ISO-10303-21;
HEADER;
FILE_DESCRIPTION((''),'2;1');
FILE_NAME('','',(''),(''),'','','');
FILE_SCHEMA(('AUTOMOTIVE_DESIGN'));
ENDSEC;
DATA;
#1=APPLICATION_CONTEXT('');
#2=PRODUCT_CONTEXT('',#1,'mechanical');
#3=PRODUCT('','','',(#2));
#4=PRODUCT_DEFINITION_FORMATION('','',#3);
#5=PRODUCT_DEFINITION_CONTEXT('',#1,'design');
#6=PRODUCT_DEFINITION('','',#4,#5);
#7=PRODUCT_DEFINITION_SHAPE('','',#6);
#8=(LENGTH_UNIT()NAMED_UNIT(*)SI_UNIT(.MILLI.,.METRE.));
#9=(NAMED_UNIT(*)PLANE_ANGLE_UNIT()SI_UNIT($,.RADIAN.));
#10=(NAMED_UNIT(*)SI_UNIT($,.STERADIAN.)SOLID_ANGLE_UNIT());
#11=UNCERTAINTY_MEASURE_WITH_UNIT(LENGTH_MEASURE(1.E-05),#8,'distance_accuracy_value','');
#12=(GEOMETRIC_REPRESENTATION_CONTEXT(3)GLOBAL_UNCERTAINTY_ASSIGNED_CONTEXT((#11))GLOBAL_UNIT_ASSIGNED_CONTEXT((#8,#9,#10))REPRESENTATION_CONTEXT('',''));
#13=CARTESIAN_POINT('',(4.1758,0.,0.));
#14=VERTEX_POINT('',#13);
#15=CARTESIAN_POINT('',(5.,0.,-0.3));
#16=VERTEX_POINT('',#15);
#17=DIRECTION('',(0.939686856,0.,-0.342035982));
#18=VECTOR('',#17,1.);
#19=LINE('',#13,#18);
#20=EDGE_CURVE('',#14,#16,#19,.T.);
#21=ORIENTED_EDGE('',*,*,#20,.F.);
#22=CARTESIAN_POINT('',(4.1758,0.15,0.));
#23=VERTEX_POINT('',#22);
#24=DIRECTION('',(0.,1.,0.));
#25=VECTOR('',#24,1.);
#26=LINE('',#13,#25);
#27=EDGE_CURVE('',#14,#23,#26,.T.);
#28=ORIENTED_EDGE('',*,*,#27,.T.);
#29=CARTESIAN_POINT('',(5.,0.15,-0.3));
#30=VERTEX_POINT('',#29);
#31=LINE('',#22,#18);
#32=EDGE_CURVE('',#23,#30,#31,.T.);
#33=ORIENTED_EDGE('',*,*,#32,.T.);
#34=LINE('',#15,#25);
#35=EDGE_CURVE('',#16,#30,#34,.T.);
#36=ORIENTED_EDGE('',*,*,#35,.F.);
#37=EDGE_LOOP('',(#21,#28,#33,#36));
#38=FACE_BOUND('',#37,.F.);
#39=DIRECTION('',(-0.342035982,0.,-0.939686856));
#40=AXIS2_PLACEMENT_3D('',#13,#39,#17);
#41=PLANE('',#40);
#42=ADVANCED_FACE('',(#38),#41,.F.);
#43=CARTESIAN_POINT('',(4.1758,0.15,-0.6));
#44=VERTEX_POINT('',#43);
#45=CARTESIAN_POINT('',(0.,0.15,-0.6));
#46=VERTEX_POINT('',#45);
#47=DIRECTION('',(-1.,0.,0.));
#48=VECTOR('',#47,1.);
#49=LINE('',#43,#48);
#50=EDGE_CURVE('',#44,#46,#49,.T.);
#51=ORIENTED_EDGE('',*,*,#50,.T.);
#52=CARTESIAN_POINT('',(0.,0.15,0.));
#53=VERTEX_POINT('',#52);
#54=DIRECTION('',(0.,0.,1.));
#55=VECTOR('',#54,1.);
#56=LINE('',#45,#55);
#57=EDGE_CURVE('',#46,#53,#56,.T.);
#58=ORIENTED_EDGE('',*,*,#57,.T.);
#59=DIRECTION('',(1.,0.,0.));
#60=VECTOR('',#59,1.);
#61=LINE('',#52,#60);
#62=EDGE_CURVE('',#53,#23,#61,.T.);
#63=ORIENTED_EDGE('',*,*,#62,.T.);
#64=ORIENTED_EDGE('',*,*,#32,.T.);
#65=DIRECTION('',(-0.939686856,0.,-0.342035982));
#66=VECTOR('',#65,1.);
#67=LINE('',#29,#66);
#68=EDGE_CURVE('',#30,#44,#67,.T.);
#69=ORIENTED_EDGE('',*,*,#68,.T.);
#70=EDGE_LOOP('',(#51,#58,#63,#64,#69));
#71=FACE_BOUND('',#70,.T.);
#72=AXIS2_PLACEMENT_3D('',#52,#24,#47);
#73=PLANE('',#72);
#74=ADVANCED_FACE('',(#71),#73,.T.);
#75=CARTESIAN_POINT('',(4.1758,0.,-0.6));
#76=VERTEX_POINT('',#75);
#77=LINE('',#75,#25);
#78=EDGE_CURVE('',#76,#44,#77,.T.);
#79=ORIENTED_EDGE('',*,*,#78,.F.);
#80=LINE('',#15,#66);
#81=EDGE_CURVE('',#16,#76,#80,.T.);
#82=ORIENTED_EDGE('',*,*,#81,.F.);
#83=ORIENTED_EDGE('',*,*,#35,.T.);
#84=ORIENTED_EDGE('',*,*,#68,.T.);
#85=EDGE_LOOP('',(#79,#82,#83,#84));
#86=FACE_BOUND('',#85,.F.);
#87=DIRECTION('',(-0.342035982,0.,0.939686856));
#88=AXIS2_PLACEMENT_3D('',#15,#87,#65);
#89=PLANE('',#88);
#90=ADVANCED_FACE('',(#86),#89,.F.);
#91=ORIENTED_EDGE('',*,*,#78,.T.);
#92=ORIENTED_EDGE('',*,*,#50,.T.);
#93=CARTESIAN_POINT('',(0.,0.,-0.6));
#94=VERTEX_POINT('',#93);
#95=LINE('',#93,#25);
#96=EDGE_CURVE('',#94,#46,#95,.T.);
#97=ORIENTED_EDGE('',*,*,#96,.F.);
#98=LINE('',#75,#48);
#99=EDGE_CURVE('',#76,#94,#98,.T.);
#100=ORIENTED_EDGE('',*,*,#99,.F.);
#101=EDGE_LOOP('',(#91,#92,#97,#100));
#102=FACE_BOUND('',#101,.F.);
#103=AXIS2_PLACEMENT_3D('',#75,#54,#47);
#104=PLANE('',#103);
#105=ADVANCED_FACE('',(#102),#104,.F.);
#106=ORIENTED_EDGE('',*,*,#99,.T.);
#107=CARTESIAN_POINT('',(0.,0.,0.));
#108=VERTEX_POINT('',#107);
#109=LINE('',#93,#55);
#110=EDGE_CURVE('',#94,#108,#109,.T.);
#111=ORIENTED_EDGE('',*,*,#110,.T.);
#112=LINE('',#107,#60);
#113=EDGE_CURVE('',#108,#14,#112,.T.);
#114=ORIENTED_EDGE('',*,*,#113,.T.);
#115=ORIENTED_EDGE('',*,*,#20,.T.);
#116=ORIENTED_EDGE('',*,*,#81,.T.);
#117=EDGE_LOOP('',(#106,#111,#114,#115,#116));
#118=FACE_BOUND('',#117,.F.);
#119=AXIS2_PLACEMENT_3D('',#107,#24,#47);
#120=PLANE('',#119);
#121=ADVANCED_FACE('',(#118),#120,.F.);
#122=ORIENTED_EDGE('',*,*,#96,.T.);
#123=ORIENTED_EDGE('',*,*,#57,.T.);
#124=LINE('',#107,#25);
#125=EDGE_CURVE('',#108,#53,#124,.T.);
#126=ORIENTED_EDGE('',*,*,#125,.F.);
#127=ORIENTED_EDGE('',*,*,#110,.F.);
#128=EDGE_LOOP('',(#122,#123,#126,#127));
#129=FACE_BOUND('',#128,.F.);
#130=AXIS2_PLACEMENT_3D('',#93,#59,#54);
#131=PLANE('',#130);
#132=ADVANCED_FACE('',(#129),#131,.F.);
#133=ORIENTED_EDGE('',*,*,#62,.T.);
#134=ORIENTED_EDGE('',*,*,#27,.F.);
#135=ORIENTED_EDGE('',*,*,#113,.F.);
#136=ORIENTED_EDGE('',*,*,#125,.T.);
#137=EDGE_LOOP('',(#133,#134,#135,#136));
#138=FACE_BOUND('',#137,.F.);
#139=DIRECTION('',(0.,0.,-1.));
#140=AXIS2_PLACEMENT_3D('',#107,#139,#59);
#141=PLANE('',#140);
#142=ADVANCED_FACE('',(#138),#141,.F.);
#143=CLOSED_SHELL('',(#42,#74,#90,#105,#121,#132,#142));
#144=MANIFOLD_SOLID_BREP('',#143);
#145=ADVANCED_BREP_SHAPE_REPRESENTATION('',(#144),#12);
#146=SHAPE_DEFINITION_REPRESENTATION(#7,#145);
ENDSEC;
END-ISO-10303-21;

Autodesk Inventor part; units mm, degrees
ref_plane "YZ Plane" through (0, 0, 0) normal (1, 0, 0) x (0, 1, 0)
ref_plane "XZ Plane" through (0, 0, 0) normal (0, 1, 0) x (-1, 0, 0)
ref_plane "XY Plane" through (0, 0, 0) normal (0, 0, 1) x (1, 0, 0)
sketch "Sketch1" plane through (0, 0, 0) normal (0, 1, 0) x (-1, 0, 0)
  line L0 (0, 0) -> (-4.1758, 0)
  line L1 (-4.1758, 0) -> (-5, -0.3)
  line L2 (-5, -0.3) -> (-4.1758, -0.6)
  line L3 (-4.1758, -0.6) -> (0, -0.6)
  line L4 (0, -0.6) -> (0, 0)
  line L5 (0, -0.3) -> (-15.0244, -0.3) construction
  dimension "d0" = 0.6
  dimension "d1" = 160
  dimension "d2" = 160
  dimension "d3" = 5
extrude "Extrusion1" add sketch "Sketch1" along normal blind 0.15
ref_plane "pinLenght" through (2, 0, -0.3) normal (-1, 0, 0) x (0, 1, 0)
ref_plane "Work Plane2" through (5, 0, -0.3) normal (-1, 0, 0) x (0, 1, 0)
ref_plane "Work Plane1" through (4.1758, 0, -0.3) normal (0, 0, -1) x (-1, 0, 0)
equation "\"d2\" = d1"
properties part number "socket_pin"
